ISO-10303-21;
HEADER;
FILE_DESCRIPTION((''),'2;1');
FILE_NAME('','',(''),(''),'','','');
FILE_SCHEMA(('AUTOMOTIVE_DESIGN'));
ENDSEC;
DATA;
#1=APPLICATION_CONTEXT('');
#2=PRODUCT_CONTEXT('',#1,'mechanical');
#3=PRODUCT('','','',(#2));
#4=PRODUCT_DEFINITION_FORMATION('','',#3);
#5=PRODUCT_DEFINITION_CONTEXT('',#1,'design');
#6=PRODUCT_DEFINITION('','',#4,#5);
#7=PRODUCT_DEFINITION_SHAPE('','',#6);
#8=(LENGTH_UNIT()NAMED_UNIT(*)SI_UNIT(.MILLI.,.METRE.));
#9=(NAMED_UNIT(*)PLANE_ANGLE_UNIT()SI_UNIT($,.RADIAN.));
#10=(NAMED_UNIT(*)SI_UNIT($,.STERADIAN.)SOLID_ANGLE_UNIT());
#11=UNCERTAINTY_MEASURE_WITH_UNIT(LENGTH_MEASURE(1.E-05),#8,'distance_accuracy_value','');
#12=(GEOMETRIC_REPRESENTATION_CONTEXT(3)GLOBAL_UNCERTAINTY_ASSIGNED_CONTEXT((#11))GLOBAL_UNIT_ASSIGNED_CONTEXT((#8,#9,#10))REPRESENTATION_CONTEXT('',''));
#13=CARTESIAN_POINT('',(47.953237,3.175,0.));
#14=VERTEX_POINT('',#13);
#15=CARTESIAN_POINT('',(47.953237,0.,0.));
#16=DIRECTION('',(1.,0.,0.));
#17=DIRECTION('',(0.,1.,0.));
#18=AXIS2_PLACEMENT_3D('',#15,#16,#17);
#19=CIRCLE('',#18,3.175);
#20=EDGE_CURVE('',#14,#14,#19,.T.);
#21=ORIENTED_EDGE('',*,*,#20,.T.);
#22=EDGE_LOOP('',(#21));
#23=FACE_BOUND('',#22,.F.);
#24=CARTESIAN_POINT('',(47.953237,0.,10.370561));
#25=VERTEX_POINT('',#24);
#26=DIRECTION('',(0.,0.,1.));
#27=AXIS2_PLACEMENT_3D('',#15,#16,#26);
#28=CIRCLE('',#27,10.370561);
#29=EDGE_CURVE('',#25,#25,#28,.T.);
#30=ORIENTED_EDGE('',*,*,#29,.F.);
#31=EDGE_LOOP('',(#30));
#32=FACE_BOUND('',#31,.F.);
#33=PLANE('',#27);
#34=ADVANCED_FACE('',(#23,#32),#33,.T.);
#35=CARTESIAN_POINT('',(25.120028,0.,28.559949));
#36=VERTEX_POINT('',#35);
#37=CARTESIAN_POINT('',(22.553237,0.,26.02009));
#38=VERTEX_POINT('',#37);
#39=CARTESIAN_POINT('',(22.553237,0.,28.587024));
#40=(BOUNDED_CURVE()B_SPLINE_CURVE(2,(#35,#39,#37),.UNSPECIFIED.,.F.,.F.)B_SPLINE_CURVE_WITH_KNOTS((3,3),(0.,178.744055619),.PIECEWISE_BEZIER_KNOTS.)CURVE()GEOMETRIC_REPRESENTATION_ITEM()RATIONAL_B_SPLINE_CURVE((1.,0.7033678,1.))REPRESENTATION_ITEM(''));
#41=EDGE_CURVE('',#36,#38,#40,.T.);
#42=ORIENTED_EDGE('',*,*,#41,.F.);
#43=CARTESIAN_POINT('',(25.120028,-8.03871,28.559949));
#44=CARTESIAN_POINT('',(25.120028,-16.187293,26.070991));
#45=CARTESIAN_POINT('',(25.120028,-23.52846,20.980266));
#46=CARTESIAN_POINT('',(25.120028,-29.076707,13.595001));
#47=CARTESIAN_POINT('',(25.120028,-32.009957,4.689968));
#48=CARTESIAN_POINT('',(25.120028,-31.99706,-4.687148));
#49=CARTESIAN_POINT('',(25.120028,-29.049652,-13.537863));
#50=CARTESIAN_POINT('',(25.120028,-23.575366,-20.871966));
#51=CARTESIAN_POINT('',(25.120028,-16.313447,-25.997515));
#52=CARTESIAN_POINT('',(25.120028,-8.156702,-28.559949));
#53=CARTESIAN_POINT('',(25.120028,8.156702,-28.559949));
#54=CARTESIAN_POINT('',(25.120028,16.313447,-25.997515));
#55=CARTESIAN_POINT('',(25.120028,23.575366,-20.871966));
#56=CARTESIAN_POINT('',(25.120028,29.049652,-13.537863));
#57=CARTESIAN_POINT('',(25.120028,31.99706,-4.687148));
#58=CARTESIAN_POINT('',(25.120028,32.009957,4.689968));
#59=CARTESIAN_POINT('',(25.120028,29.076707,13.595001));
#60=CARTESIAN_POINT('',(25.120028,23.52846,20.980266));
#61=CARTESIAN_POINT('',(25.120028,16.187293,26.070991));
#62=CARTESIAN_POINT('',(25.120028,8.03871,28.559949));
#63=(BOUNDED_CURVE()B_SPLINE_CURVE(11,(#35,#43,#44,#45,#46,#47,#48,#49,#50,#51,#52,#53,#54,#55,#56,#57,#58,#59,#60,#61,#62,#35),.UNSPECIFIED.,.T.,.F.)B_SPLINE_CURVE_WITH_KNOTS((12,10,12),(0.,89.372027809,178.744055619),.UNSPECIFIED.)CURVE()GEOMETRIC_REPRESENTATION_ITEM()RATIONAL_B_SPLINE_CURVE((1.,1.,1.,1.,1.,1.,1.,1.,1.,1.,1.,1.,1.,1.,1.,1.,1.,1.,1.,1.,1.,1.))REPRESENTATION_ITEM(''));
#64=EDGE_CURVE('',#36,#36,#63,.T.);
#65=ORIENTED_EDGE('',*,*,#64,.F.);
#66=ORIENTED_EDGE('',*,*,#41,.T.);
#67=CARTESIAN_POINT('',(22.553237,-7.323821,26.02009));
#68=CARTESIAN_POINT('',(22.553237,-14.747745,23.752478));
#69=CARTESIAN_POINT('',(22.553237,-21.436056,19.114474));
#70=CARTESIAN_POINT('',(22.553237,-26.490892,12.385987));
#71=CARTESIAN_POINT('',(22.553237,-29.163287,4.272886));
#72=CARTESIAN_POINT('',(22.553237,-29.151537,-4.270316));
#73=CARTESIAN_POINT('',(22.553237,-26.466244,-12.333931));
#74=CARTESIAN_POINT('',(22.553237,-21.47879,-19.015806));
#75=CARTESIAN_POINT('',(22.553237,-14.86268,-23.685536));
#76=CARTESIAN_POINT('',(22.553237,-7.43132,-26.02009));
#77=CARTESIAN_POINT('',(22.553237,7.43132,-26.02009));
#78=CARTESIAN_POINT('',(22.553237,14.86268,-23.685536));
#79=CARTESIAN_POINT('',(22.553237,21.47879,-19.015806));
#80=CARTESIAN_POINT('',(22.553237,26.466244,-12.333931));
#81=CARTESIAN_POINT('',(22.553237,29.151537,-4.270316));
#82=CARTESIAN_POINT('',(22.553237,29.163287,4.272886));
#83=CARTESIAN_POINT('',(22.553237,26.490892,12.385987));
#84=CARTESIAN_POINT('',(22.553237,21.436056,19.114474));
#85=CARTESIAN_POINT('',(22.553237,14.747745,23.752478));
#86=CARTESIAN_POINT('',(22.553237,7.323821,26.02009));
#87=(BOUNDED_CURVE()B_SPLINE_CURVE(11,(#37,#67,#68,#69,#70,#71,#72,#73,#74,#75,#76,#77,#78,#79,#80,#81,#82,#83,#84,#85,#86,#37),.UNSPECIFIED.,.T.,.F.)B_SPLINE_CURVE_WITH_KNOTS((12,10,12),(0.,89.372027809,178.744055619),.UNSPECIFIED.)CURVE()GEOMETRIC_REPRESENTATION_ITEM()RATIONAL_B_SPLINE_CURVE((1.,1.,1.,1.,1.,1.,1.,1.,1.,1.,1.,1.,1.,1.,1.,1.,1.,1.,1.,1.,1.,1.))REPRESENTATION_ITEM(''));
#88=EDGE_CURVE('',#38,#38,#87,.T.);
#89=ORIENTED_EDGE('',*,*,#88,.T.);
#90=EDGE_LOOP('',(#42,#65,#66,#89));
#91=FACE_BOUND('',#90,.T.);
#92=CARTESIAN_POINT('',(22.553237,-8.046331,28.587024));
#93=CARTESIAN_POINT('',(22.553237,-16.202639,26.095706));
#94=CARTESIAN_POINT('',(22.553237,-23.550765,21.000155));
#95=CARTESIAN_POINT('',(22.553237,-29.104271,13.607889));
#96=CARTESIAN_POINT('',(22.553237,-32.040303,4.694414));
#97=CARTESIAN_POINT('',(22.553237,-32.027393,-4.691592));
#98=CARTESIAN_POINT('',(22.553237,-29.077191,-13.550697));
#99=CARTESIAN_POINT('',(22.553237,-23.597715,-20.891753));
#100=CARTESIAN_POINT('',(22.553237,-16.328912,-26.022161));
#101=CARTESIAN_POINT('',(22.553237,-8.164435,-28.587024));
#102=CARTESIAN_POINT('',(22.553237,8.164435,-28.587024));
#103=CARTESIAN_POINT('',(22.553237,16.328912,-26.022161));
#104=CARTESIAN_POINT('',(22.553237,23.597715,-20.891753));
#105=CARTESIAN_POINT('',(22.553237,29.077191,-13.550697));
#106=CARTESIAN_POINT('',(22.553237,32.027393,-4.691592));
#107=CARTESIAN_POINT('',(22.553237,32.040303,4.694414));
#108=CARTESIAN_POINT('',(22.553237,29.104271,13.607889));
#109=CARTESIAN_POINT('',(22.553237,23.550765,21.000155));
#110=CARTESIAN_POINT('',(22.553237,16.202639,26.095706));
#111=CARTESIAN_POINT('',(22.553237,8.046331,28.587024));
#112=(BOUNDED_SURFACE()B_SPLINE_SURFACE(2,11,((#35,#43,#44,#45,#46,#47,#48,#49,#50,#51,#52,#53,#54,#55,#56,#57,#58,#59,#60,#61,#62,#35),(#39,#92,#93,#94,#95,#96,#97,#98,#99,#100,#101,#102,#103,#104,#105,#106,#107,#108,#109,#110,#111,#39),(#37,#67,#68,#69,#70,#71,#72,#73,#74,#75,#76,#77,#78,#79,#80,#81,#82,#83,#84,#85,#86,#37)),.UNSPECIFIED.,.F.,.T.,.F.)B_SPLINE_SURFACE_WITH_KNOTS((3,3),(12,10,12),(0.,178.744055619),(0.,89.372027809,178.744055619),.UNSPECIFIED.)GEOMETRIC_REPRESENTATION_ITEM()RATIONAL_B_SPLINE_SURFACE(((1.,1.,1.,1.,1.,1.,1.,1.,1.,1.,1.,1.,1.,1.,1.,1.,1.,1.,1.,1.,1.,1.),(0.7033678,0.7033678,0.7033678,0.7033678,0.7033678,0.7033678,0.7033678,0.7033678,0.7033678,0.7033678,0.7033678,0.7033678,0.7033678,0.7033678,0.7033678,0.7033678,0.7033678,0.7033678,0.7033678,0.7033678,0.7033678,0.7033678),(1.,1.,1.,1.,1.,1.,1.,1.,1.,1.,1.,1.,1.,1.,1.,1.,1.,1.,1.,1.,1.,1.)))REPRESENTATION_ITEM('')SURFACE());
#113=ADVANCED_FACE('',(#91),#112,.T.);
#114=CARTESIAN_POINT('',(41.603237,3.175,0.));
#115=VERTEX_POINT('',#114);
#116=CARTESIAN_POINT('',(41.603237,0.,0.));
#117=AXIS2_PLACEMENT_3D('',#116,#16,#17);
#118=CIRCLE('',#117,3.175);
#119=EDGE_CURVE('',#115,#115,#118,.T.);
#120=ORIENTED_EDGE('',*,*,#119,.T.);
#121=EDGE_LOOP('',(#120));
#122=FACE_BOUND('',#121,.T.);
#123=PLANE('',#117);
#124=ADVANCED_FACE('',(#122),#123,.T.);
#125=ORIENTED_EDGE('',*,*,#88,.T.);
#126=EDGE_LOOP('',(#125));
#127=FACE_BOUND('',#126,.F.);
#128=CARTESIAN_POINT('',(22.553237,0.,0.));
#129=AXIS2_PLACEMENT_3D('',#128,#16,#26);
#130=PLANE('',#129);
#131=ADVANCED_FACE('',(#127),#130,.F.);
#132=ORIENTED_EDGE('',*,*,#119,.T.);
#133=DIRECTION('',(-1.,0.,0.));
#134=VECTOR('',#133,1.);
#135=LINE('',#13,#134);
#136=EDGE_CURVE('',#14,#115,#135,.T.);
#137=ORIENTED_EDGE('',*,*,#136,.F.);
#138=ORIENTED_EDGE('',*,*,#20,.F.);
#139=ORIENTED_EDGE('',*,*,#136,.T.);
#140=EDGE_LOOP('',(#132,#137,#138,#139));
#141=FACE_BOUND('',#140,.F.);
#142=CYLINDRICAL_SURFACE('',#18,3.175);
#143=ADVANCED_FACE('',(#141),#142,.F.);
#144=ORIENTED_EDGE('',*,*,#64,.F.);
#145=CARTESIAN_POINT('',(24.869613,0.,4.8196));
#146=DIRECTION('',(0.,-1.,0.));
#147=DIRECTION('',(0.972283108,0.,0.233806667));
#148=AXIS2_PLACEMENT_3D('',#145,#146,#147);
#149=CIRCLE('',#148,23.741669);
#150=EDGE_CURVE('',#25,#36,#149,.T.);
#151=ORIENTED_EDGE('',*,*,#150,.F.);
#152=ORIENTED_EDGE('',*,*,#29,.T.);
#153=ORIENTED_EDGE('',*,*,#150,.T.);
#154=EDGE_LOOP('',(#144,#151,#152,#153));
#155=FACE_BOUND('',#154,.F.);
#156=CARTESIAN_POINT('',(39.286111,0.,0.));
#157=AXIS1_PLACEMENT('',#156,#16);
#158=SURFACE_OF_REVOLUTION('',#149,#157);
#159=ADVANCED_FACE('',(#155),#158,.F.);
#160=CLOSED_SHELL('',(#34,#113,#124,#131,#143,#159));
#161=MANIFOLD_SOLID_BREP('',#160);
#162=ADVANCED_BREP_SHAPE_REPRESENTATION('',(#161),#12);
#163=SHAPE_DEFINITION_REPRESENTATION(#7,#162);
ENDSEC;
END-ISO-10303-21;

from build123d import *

# Parameters (mm, degrees)
F3_R     = 2.54
F4_R     = 3.175
F5_DEPTH = 6.35


with BuildPart() as f2:
    # F0 (on Front) → F2 (revolve)
    with BuildSketch(Plane.XZ):
        with BuildLine():
            ThreePointArc((47.953237, 10.370561), (38.63617, 24.162526), (22.553237, 28.448))
            Line((22.553237, 28.448), (22.553237, 0))
            Line((22.553237, 0), (47.953237, 0))
            Line((47.953237, 0), (47.953237, 10.370561))
        make_face()
    revolve(axis=Axis((39.286111, 0, 0), (1, 0, 0)))

    # F3
    f3_edges = [f2.edges().sort_by_distance(p)[0] for p in [
        (22.553237, 0, -28.448),
    ]]
    fillet(f3_edges, radius=F3_R)

    # F4 (on face) → F5 (cut)
    with BuildSketch(Plane.YZ.offset(47.953237)):
        Circle(F4_R)
    extrude(amount=-F5_DEPTH, mode=Mode.SUBTRACT)


solid = f2.part
